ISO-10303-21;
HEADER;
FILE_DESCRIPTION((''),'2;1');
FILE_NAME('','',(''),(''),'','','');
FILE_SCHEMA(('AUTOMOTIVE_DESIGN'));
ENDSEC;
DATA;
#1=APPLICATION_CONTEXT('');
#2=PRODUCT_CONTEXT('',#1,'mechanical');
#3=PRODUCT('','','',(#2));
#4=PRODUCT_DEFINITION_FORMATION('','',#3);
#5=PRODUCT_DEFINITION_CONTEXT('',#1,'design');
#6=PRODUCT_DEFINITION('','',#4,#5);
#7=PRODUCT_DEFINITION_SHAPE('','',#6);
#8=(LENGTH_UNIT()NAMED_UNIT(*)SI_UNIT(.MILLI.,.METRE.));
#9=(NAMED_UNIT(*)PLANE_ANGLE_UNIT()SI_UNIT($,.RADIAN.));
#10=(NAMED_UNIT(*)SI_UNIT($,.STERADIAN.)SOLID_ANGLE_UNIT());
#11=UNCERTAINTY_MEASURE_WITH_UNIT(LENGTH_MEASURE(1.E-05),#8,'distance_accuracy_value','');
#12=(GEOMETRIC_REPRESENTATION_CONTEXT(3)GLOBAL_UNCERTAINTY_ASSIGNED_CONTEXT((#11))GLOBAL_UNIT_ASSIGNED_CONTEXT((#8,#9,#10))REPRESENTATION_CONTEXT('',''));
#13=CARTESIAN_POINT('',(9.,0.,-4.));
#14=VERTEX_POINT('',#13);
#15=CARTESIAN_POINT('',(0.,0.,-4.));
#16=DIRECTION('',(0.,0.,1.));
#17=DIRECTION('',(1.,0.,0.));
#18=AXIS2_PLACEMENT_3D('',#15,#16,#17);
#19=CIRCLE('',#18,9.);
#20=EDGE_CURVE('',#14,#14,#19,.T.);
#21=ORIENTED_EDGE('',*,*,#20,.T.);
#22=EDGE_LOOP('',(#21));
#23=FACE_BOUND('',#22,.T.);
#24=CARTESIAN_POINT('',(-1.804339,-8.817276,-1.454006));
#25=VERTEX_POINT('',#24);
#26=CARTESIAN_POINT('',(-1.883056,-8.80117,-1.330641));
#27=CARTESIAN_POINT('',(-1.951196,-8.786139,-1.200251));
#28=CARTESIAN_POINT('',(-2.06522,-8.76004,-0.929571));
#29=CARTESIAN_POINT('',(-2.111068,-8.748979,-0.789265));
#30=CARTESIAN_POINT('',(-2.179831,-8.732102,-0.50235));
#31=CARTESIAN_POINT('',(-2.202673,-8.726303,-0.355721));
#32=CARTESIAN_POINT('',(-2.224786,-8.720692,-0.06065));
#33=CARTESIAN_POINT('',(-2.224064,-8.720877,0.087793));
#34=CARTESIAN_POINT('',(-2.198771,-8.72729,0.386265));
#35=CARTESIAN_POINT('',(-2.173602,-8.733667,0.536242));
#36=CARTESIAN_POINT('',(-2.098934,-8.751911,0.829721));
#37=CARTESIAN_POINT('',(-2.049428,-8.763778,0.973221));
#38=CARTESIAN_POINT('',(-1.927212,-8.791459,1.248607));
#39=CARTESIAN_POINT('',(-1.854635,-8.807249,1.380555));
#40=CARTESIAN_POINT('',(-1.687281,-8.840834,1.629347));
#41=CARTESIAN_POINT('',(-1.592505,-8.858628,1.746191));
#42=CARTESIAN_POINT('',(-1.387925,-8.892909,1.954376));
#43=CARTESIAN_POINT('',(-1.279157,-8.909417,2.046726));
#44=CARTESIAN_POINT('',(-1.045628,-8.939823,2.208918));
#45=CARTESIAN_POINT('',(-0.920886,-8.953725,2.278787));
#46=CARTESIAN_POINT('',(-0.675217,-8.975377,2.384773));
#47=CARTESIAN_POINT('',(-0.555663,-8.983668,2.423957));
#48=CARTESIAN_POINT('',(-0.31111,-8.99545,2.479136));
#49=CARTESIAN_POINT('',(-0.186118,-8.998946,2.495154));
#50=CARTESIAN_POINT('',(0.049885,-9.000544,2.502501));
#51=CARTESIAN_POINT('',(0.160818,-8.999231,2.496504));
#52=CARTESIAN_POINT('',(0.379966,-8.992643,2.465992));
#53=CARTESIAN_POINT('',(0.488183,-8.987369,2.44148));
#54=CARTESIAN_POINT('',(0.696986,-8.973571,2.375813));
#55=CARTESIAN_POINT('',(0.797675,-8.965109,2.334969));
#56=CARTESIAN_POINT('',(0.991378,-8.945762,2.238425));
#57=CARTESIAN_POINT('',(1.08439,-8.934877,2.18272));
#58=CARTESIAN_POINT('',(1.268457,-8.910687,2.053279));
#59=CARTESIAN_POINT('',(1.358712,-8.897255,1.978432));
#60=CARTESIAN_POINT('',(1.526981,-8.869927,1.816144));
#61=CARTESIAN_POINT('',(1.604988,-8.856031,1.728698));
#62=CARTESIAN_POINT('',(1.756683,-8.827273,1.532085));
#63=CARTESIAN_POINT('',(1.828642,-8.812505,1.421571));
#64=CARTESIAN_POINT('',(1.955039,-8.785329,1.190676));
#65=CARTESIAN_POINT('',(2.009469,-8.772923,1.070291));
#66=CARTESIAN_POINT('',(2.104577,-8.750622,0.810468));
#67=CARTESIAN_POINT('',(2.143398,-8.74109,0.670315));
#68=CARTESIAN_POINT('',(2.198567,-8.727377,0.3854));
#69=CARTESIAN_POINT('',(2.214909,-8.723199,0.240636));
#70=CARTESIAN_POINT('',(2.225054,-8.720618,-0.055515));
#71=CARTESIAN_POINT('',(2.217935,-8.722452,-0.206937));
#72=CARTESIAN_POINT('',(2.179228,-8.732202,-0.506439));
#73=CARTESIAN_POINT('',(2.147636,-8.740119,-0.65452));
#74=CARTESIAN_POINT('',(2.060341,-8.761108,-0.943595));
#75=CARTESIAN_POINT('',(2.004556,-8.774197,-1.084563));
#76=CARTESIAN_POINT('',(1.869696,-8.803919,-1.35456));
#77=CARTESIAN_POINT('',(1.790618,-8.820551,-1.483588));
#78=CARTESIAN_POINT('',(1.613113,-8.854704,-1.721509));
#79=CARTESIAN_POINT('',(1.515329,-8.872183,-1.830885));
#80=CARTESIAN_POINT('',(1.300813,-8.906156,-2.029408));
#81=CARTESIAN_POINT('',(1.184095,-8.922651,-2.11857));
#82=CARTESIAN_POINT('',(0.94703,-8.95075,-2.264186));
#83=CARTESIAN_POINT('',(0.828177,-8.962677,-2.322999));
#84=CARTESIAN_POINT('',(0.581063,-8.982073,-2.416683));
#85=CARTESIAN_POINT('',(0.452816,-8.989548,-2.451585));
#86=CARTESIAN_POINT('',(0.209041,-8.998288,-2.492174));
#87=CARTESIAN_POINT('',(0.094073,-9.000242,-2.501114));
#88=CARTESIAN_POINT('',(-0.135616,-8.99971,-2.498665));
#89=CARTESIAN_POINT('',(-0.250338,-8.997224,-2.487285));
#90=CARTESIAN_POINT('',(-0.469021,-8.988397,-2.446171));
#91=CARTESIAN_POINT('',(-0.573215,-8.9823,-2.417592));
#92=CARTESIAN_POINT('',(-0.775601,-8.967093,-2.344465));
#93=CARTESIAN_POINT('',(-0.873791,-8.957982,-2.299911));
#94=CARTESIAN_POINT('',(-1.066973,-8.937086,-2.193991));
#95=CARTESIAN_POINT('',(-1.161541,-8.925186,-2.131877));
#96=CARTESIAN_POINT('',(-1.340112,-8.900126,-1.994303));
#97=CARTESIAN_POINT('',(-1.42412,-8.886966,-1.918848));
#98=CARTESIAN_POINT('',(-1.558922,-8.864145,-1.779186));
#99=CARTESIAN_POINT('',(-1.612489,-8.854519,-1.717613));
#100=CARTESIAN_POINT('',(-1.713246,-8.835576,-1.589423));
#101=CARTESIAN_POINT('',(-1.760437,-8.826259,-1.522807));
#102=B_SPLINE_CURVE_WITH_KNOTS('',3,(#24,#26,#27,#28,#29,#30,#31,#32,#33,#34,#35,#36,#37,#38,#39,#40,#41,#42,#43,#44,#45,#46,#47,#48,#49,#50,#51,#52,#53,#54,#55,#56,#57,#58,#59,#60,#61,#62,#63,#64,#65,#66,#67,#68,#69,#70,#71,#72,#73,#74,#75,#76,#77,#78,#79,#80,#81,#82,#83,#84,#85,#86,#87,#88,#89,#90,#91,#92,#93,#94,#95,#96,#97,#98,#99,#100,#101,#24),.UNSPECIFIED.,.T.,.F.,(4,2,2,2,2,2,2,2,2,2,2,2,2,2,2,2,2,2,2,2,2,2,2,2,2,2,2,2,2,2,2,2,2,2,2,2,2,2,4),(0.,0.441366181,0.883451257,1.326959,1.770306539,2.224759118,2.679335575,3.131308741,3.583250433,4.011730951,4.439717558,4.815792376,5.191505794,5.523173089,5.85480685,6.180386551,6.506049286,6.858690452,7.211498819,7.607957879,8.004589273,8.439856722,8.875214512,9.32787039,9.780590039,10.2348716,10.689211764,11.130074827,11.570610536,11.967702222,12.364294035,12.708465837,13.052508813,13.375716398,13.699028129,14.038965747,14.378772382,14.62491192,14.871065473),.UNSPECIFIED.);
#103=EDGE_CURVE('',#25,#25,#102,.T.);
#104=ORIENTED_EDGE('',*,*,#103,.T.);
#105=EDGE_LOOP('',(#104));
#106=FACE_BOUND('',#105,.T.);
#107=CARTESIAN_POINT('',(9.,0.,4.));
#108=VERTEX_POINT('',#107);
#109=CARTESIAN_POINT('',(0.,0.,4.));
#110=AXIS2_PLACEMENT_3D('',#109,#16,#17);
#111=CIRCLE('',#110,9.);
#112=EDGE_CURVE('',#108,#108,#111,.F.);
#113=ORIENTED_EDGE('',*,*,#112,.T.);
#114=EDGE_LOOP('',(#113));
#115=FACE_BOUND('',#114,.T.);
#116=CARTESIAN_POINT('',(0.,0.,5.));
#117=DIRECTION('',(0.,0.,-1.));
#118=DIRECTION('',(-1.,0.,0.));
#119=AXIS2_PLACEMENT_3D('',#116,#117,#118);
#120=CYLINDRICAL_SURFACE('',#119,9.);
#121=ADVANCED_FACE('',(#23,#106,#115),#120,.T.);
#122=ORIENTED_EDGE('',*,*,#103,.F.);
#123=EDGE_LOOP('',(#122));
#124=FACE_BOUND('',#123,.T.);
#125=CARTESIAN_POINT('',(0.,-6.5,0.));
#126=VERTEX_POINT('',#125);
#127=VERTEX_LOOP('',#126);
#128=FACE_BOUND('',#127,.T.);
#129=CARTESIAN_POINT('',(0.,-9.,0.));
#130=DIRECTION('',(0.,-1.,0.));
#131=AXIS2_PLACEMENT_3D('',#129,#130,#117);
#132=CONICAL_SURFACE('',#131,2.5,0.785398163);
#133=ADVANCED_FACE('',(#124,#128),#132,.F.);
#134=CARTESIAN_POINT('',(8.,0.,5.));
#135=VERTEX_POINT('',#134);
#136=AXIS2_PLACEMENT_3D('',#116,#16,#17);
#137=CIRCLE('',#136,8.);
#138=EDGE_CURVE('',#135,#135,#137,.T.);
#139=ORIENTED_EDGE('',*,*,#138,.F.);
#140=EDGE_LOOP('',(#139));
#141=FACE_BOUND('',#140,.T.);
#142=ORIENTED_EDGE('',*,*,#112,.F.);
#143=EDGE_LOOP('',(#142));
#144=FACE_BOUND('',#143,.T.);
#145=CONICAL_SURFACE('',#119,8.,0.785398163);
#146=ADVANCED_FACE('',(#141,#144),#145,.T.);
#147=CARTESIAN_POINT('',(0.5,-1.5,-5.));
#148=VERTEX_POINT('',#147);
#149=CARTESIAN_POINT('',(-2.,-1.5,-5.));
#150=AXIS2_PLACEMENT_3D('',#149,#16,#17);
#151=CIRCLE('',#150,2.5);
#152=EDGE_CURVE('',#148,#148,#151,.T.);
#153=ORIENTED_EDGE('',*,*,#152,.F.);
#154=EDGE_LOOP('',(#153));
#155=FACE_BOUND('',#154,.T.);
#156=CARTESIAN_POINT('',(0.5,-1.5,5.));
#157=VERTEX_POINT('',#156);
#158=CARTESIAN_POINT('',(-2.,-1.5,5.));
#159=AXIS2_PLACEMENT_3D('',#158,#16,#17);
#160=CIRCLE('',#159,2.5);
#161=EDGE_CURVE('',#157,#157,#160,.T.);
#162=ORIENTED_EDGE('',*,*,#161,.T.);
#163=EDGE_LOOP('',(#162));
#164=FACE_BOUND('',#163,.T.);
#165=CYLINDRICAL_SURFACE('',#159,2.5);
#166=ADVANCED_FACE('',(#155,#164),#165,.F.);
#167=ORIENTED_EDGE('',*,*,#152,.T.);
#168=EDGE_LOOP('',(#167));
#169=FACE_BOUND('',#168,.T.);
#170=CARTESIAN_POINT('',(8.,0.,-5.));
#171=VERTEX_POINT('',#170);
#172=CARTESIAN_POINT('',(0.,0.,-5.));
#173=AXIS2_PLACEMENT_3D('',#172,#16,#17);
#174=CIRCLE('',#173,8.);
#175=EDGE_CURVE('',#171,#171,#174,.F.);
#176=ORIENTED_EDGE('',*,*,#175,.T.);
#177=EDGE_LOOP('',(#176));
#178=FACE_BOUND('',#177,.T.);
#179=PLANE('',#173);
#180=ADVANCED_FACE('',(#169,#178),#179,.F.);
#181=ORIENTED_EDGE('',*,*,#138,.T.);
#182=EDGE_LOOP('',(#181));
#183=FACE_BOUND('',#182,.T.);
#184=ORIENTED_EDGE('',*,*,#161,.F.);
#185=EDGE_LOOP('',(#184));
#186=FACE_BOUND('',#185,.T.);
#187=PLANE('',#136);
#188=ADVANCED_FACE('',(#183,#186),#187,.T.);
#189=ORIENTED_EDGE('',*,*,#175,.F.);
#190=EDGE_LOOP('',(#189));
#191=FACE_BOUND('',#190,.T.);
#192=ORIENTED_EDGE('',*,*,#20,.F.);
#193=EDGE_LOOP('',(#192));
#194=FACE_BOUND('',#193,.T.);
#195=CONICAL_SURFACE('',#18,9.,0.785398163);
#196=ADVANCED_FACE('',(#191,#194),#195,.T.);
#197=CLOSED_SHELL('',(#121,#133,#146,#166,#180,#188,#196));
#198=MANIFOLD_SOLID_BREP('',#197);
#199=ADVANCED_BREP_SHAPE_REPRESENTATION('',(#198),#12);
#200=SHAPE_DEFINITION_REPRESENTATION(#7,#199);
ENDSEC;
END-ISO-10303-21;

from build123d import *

# Parameters (mm, degrees)
SKETCH_1_R         = 9
EXTRUDE_1_DEPTH    = 5
CHAMFER_1_SIZE     = 1
HOLE_WIZARD_M6_1_D = 5


with BuildPart() as part:
    # 草图1 → 凸台-拉伸1 (new, symmetric)
    with BuildSketch(Plane.XY):
        Circle(SKETCH_1_R)
    extrude(amount=EXTRUDE_1_DEPTH, both=True)

    # 倒角1
    chamfer_1_edges = [part.edges().sort_by_distance(p)[0] for p in [
        (-9, 0, -5),
        (-9, 0, 5),
    ]]
    chamfer(chamfer_1_edges, length=CHAMFER_1_SIZE)

    # M6 螺纹孔1 (through all)
    with Locations(Plane.XY.offset(5)):
        with Locations((-2, -1.5)):
            Hole(HOLE_WIZARD_M6_1_D / 2)

    # 草图5 → 切除-旋转1 (revolve, cut)
    with BuildSketch(Plane(origin=(0, 0, 0), x_dir=(0, 0, -1), z_dir=(1, 0, 0))):
        Polygon((0, -9), (0, -6.5), (2.5, -9), align=None)
    revolve(axis=Axis((0, -9, 0), (0, 1, 0)), mode=Mode.SUBTRACT)


solid = part.part
